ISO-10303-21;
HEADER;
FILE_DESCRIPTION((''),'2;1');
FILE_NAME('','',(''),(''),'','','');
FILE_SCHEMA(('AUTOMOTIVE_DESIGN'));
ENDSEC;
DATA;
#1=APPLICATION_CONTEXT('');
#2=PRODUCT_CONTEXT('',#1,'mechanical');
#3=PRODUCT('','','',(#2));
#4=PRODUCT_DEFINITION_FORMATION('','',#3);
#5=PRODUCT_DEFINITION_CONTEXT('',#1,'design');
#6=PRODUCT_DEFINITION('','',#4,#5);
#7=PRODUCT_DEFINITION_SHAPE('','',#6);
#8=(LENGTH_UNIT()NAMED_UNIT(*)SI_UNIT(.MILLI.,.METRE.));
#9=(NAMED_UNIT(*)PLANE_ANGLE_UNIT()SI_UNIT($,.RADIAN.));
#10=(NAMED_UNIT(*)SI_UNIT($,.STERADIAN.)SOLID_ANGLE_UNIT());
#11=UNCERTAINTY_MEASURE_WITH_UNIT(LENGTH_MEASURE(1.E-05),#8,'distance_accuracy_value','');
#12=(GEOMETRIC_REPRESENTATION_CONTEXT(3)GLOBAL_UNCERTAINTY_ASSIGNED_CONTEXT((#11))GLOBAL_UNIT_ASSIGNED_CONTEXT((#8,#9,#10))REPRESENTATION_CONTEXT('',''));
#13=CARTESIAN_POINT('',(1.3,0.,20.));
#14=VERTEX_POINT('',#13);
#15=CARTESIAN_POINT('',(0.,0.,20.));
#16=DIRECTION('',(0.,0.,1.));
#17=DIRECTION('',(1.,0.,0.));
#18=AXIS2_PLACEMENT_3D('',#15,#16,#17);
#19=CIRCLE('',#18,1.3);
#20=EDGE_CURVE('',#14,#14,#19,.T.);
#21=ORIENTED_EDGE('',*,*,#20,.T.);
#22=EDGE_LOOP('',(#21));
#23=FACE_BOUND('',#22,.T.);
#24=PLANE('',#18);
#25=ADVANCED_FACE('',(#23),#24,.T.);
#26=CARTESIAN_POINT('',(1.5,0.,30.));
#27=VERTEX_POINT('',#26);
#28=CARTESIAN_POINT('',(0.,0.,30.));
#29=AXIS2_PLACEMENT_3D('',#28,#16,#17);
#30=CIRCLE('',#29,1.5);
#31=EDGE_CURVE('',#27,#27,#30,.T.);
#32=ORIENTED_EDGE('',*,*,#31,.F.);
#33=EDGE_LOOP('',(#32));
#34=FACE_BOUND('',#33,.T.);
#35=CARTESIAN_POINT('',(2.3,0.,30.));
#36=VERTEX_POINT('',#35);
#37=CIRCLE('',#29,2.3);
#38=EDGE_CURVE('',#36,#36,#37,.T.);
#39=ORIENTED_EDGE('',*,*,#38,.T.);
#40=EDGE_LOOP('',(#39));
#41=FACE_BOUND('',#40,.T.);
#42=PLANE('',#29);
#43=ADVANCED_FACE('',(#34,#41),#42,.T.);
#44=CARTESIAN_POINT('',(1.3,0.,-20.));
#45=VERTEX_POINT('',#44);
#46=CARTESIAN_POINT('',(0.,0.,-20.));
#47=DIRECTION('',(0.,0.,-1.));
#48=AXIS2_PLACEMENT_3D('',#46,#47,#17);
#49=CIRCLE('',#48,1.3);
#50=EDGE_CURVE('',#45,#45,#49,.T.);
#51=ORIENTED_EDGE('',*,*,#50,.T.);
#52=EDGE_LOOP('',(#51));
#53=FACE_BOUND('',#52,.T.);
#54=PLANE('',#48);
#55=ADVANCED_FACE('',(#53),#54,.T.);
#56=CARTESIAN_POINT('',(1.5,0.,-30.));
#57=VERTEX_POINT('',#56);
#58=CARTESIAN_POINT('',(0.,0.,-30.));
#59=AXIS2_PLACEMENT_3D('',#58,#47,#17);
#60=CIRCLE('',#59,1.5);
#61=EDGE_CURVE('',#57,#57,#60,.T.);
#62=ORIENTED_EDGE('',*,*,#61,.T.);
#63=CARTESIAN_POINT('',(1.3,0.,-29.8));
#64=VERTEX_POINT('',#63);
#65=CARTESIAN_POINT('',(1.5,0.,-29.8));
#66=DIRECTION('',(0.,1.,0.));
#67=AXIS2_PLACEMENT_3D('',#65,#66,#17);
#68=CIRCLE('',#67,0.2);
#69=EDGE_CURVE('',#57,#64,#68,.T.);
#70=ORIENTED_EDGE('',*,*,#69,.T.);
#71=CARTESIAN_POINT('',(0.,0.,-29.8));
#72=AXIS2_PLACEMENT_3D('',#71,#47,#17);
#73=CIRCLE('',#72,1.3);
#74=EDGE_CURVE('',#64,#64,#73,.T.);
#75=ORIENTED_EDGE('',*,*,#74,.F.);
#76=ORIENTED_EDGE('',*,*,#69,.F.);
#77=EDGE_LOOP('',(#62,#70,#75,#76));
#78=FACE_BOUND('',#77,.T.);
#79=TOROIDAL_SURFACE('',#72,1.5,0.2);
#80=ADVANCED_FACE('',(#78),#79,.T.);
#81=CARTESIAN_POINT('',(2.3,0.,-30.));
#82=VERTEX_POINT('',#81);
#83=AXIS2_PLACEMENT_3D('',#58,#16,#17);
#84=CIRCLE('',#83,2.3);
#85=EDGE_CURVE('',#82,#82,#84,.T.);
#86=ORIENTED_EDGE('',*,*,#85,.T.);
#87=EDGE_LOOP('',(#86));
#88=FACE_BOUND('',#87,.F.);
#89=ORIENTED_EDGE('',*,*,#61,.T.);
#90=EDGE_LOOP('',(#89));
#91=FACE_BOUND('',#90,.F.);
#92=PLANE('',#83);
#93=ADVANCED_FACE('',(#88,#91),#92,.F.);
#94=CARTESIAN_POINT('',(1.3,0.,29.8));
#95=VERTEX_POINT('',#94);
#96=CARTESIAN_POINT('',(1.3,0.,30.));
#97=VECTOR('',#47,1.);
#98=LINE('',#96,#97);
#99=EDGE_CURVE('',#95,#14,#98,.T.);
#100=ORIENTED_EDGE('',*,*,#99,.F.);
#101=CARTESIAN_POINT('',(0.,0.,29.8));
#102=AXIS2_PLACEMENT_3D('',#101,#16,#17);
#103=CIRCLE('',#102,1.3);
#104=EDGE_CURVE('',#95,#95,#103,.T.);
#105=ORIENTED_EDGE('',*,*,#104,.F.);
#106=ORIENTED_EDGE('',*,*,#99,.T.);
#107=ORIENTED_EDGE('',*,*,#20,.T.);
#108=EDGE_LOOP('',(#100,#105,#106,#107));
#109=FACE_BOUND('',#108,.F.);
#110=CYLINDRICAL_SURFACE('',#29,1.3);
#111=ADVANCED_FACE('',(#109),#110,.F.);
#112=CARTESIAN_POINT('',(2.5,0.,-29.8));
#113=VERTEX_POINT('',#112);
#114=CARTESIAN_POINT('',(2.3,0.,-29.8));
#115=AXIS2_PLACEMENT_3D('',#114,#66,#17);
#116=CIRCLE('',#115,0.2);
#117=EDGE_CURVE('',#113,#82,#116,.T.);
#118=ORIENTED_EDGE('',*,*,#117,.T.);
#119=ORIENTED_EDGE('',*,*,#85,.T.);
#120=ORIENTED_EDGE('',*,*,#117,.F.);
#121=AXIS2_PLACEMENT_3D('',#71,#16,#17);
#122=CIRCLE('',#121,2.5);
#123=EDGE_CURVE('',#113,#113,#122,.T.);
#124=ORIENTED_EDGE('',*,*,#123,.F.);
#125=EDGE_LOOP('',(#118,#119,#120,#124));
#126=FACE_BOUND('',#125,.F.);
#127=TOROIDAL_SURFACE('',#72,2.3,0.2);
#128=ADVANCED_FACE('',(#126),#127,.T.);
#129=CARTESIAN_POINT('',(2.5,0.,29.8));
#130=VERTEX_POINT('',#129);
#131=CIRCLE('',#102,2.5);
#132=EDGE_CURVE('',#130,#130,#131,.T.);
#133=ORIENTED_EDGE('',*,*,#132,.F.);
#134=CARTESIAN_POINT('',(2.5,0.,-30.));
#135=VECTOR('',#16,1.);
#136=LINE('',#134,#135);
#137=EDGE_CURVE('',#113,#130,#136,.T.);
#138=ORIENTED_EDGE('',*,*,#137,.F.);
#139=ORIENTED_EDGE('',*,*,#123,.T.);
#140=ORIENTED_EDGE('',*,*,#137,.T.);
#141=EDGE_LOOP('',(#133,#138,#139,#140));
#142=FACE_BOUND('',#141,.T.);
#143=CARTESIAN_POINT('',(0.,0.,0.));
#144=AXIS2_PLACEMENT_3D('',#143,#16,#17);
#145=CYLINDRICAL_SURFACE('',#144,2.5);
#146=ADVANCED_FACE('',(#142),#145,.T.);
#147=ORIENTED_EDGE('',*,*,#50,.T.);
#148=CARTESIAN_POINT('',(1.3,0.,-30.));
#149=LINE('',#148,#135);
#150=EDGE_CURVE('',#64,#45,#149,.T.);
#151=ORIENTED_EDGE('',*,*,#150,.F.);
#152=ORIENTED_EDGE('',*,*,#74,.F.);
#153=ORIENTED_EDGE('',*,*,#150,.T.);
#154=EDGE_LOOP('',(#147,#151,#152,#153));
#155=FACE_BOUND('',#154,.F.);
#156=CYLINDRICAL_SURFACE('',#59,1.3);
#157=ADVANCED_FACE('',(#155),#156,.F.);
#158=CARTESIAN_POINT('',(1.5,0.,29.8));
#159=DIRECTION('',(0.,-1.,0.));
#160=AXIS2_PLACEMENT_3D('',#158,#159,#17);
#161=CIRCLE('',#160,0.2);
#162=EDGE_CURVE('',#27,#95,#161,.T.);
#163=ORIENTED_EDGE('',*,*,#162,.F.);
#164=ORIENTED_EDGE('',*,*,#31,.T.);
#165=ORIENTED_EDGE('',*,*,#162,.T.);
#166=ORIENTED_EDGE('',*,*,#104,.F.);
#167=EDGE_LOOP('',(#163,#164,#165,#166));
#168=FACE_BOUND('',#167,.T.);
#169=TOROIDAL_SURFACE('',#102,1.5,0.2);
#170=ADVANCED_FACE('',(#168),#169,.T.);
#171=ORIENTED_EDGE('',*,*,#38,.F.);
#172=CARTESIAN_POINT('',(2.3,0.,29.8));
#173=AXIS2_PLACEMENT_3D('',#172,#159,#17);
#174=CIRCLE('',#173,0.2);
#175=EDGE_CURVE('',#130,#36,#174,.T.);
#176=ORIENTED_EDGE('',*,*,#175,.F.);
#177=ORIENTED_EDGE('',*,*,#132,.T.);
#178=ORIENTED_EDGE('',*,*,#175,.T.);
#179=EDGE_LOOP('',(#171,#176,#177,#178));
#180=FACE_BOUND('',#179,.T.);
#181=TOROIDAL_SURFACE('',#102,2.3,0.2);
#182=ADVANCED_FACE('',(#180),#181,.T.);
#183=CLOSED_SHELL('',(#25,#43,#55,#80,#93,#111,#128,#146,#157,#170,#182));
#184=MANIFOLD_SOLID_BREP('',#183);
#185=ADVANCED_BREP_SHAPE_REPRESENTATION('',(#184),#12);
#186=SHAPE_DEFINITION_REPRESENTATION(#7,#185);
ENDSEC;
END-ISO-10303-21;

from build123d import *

# Parameters (mm, degrees)
F0_R     = 2.5
F1_DEPTH = 30
F2_R     = 1.3
F3_DEPTH = 10
F4_R     = 1.3
F5_DEPTH = 10
F6_R     = 0.2


with BuildPart() as f1:
    # F0 (on Top) → F1 (new body, symmetric)
    with BuildSketch(Plane.XY):
        Circle(F0_R)
    extrude(amount=F1_DEPTH, both=True)

    # F2 (on face) → F3 (cut)
    with BuildSketch(Plane.XY.offset(30)):
        Circle(F2_R)
    extrude(amount=-F3_DEPTH, mode=Mode.SUBTRACT)

    # F4 (on face) → F5 (cut)
    with BuildSketch(Plane(origin=(0, 0, -30), x_dir=(1, 0, 0), z_dir=(0, 0, -1))):
        Circle(F4_R)
    extrude(amount=-F5_DEPTH, mode=Mode.SUBTRACT)

    # F6
    f6_edges = [f1.edges().sort_by_distance(p)[0] for p in [
        (-2.5, 0, -30),
        (-1.3, 0, -30),
        (-2.5, 0, 30),
        (-1.3, 0, 30),
    ]]
    fillet(f6_edges, radius=F6_R)


solid = f1.part
